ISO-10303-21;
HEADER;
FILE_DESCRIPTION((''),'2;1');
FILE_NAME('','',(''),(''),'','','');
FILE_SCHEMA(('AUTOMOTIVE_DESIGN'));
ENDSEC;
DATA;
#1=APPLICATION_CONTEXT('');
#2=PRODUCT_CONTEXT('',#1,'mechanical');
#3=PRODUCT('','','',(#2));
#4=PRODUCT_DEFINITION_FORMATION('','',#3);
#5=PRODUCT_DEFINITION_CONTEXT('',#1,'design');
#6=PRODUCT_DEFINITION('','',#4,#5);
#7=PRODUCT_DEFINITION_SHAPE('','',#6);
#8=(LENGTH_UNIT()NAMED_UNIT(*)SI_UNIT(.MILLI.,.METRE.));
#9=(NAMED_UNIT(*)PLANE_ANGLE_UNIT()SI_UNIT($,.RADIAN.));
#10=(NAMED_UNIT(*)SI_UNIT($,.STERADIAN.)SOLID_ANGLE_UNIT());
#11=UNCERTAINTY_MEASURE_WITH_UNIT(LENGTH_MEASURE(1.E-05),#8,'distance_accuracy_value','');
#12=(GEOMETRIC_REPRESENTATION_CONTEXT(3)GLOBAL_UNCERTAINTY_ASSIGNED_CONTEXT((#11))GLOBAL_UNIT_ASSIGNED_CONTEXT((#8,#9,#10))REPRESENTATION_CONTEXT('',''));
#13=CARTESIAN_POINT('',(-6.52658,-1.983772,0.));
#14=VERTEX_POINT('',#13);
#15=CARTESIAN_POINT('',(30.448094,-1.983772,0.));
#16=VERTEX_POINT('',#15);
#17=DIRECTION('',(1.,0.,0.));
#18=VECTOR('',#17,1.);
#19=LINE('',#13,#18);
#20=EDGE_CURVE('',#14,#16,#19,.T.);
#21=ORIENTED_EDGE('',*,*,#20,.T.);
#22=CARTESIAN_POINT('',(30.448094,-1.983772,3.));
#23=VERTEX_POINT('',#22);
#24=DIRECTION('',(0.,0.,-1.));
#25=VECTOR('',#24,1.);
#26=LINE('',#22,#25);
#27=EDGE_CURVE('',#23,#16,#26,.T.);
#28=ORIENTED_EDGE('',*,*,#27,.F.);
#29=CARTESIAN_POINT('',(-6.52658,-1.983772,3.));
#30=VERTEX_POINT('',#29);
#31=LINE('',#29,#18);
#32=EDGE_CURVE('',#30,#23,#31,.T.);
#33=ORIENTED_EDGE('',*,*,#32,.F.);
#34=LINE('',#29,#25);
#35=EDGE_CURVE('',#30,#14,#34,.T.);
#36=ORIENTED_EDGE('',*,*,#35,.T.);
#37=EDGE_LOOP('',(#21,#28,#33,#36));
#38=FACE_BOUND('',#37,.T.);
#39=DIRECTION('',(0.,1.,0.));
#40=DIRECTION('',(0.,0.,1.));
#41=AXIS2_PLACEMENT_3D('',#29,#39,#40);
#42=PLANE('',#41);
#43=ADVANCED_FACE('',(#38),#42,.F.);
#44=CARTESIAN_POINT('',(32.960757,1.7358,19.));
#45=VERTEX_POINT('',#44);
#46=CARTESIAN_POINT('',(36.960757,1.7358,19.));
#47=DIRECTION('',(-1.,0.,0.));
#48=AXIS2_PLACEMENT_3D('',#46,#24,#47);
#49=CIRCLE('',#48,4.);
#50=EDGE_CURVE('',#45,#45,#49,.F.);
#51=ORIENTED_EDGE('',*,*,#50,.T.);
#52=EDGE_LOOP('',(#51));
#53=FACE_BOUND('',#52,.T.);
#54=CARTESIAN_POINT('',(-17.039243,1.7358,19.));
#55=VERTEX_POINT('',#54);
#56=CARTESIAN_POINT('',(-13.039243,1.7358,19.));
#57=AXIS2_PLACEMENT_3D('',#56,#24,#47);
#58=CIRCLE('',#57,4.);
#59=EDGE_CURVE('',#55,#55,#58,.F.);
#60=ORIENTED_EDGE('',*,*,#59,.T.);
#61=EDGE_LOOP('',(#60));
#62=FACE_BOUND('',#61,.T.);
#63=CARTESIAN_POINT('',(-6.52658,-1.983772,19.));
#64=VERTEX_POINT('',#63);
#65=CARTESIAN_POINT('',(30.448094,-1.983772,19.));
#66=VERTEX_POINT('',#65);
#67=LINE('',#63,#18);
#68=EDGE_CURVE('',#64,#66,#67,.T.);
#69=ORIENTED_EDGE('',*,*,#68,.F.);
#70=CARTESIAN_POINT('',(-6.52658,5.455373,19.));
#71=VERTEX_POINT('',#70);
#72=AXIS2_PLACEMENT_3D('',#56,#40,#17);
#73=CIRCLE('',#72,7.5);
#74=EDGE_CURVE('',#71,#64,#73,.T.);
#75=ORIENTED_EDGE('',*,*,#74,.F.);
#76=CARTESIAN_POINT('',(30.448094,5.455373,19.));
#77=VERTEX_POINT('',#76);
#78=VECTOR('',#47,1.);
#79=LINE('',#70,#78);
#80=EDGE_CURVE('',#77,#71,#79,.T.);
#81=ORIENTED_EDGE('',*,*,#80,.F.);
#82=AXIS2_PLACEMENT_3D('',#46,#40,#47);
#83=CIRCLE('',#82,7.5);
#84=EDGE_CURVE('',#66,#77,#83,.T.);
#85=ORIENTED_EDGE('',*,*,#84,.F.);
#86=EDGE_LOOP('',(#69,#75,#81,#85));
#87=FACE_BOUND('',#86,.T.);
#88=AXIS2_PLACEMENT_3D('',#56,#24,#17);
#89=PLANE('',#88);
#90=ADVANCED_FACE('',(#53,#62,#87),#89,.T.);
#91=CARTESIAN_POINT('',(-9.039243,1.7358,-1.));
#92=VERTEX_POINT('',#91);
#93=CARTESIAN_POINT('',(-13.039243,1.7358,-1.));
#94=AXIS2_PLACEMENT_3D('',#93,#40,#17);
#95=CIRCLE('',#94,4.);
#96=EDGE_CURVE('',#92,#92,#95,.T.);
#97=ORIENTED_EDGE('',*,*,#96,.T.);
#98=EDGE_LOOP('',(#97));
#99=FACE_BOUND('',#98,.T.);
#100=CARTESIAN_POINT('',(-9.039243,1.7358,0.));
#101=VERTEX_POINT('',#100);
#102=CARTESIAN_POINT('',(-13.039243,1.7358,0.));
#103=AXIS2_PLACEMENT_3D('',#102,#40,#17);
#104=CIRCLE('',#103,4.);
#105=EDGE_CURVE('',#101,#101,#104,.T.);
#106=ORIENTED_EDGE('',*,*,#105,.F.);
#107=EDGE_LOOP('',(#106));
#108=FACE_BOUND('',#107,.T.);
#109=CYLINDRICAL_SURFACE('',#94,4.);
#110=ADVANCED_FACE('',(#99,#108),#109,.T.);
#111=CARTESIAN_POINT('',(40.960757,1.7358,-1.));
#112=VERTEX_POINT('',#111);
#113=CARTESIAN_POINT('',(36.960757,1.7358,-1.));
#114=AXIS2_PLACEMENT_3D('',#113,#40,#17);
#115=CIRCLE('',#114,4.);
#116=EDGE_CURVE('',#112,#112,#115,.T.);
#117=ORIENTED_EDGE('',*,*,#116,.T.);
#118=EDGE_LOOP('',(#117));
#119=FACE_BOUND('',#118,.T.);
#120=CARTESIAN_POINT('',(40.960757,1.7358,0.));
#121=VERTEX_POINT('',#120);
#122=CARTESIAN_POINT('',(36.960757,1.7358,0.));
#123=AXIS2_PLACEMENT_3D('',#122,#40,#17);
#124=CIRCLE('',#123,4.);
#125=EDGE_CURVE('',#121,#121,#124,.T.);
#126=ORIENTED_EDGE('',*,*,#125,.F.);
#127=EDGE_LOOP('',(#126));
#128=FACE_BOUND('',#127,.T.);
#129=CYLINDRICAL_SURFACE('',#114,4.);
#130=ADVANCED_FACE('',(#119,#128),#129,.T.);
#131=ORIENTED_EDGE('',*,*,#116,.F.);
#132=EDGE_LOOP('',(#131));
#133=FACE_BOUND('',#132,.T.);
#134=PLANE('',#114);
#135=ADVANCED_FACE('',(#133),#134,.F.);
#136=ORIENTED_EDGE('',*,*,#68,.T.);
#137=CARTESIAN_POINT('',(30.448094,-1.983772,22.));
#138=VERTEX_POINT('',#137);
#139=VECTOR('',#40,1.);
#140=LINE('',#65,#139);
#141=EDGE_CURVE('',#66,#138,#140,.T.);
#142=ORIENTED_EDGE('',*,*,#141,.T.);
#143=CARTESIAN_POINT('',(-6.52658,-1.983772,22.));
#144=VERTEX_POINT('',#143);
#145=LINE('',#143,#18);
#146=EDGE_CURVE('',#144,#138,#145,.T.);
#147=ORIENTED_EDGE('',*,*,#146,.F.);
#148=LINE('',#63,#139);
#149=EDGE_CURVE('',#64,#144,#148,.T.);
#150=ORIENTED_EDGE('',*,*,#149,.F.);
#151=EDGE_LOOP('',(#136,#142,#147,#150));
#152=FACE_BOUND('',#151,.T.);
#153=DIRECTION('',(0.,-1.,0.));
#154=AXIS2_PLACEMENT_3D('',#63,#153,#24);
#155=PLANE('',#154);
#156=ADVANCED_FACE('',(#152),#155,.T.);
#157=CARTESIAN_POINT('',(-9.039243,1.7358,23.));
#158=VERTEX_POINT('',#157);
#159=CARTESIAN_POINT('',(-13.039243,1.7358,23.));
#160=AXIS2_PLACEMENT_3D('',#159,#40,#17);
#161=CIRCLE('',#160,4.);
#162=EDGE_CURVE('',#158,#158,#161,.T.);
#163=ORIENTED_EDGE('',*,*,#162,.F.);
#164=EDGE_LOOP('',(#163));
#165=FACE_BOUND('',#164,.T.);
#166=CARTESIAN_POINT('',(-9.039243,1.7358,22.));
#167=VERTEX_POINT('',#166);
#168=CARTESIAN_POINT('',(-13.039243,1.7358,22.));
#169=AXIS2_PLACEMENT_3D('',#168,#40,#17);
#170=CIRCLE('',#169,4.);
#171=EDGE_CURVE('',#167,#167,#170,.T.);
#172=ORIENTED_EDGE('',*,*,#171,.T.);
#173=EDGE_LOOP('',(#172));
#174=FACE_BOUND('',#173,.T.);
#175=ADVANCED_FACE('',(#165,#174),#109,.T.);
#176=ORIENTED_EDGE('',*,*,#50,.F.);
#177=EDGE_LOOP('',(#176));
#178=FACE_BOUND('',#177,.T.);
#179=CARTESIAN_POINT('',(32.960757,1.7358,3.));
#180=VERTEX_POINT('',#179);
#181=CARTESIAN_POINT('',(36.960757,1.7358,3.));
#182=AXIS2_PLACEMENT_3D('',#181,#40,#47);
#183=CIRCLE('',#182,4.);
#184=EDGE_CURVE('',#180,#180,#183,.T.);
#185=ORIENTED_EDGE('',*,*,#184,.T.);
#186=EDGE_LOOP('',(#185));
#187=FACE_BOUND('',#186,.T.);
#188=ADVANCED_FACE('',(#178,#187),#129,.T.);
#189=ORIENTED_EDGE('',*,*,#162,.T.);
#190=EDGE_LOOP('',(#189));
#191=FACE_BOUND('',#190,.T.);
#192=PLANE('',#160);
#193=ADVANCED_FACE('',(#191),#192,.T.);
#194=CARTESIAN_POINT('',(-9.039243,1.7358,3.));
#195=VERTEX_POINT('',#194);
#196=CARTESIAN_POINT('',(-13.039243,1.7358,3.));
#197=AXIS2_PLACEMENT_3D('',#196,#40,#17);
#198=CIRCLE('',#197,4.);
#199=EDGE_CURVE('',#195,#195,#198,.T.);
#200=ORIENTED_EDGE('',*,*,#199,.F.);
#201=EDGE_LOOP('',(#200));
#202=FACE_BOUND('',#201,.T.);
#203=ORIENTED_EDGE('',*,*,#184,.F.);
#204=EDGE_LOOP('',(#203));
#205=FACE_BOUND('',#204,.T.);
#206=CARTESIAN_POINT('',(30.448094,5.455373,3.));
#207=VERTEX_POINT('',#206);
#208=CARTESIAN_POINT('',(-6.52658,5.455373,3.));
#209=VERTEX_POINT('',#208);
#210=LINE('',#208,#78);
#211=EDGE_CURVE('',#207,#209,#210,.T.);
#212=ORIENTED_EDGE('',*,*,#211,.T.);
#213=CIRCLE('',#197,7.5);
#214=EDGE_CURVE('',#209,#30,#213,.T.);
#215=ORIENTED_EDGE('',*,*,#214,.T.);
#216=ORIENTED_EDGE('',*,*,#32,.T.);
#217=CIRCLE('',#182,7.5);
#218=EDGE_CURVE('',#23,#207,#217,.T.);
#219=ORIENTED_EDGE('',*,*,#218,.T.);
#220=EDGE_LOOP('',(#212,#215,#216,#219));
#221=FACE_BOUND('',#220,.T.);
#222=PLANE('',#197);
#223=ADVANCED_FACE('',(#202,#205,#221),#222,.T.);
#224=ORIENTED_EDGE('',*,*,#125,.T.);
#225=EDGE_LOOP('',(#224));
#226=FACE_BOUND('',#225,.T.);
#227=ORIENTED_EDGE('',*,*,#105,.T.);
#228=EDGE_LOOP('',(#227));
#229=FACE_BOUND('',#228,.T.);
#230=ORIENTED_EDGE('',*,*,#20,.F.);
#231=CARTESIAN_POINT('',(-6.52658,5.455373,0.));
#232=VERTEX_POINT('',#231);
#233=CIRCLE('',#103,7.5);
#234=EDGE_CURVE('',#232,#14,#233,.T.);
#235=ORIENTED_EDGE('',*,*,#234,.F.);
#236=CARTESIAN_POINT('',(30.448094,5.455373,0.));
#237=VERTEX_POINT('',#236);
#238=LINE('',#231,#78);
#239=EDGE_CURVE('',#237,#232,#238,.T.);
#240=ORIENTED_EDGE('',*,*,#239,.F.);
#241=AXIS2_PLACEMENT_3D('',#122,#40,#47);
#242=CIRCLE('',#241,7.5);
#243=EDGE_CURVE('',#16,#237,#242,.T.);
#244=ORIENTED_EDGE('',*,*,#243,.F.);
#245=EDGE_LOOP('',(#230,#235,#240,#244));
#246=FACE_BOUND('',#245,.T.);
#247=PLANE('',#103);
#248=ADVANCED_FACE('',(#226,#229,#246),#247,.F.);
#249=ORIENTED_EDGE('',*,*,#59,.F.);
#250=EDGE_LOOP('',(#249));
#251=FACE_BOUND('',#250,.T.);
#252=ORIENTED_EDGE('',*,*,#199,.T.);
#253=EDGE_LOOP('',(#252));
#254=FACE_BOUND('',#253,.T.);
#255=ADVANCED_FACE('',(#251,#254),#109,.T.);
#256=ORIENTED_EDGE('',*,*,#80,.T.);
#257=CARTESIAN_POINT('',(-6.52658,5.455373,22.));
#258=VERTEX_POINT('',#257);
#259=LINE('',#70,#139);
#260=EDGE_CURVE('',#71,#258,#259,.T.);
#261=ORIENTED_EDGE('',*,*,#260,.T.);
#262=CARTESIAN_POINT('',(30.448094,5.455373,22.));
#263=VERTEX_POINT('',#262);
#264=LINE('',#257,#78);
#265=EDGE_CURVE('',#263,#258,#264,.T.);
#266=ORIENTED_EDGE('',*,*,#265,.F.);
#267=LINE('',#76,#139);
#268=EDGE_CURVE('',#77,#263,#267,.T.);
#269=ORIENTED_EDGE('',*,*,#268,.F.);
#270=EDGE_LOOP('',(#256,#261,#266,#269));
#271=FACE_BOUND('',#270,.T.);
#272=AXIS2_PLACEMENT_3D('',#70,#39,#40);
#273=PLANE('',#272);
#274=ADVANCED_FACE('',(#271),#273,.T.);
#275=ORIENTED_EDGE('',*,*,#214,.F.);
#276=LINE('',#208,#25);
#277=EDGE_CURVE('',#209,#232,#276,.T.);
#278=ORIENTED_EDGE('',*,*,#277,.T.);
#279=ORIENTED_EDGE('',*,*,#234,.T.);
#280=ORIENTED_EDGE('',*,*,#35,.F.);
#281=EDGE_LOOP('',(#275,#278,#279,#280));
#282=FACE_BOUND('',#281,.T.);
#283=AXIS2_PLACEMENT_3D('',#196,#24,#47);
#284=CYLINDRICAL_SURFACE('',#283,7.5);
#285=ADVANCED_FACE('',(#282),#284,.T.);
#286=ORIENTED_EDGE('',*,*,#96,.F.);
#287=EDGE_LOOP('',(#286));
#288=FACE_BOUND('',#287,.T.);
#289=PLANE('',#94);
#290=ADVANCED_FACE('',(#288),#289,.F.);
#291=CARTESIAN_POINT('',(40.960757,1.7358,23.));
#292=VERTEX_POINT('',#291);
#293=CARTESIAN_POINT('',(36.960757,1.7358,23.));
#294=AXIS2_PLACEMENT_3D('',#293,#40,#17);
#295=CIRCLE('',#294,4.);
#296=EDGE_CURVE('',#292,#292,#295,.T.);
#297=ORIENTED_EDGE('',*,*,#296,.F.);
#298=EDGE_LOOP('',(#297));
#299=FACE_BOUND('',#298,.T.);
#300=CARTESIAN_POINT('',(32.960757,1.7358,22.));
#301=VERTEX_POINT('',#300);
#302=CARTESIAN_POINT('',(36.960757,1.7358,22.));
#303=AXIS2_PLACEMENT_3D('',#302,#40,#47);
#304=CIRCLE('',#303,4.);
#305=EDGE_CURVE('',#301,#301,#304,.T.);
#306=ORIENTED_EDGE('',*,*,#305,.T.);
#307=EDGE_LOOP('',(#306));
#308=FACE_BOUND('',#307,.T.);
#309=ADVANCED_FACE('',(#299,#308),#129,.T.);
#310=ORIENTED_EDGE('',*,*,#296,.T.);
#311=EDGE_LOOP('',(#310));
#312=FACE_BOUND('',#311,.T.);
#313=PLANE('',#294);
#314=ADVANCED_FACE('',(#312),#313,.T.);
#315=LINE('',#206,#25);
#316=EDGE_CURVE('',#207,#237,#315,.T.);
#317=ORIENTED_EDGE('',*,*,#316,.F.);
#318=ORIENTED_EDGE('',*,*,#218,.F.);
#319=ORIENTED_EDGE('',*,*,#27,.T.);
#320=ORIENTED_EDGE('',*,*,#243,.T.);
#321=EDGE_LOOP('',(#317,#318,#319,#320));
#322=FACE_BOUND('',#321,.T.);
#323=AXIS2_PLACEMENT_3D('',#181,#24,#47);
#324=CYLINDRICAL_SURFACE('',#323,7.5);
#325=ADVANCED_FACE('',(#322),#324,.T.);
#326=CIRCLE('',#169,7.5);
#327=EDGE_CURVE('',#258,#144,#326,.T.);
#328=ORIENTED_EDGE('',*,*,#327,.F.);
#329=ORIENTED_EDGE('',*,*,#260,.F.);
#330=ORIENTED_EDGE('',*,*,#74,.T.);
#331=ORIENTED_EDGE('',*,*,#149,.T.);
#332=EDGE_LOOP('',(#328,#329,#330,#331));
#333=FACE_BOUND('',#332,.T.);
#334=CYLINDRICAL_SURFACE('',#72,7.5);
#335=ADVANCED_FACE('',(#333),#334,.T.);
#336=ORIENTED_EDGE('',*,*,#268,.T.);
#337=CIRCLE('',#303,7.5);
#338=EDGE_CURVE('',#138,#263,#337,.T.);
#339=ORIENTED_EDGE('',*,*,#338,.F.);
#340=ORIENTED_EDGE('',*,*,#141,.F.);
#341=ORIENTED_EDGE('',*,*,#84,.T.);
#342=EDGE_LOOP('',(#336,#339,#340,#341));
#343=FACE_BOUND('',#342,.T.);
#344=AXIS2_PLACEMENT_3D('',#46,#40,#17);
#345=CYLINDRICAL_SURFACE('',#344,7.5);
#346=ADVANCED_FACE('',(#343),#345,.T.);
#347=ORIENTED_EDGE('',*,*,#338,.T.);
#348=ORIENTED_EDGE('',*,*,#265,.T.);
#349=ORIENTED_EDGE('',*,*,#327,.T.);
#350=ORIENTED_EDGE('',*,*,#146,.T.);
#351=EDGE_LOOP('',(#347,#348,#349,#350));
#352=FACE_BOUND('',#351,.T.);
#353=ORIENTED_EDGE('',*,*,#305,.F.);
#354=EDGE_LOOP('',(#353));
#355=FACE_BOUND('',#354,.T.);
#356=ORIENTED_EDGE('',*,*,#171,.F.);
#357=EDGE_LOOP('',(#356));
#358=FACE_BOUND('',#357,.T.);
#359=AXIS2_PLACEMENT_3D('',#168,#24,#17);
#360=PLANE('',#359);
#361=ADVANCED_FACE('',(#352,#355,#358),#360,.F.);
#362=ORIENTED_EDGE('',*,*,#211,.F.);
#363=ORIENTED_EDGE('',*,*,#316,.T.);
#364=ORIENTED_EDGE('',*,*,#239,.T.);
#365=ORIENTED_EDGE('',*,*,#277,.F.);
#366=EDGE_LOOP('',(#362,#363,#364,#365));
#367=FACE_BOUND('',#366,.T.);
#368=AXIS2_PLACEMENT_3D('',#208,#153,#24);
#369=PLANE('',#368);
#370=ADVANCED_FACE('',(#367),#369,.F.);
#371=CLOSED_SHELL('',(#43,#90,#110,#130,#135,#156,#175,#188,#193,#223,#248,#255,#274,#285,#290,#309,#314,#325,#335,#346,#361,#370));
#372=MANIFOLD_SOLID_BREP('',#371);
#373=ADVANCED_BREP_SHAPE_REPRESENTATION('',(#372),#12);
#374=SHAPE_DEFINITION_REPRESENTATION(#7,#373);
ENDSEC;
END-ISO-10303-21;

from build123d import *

# Parameters (mm, degrees)
SKETCH_1_R           = 4
EXTRUDE_1_DEPTH      = 3
EXTRUDE_2_DEPTH      = 20
EXTRUDE_2_DEPTH_BACK = 4
SKETCH_2_R           = 4


with BuildPart() as part:
    # 草图1 → 凸台-拉伸1 (new body)
    with BuildSketch(Plane.XY):
        with BuildLine():
            Line((-6.52657961, 5.455372618), (30.448093928, 5.455372618))
            ThreePointArc((30.448093928, 5.455372618), (44.460757159, 1.735800378), (30.448093928, -1.983771861))
            Line((30.448093928, -1.983771861), (-6.52657961, -1.983771861))
            ThreePointArc((-6.52657961, -1.983771861), (-20.539242841, 1.735800378), (-6.52657961, 5.455372618))
        make_face()
        with Locations((-13.039242841, 1.735800378)):
            Circle(SKETCH_1_R, mode=Mode.SUBTRACT)
        with Locations(Location((36.960757159, 1.735800378, 0), (0, 0, 180))):
            Circle(SKETCH_1_R, mode=Mode.SUBTRACT)
    extrude_1 = extrude(amount=EXTRUDE_1_DEPTH)

    # 草图2 → 凸台-拉伸2 (add, two sides: drawn at the far end of the back side and taken through both)
    with BuildSketch(Plane.XY.offset(3).offset(-EXTRUDE_2_DEPTH_BACK)):
        with Locations((-13.039242841, 1.735800378)):
            Circle(SKETCH_2_R)
        with Locations((36.960757159, 1.735800378)):
            Circle(SKETCH_2_R)
    extrude(amount=EXTRUDE_2_DEPTH + EXTRUDE_2_DEPTH_BACK)

    # 镜向1: 凸台-拉伸1 across plane
    add(extrude_1.mirror(Plane(origin=(0, 0, 11), x_dir=(1, 0, 0), z_dir=(0, 0, -1))))


solid = part.part
